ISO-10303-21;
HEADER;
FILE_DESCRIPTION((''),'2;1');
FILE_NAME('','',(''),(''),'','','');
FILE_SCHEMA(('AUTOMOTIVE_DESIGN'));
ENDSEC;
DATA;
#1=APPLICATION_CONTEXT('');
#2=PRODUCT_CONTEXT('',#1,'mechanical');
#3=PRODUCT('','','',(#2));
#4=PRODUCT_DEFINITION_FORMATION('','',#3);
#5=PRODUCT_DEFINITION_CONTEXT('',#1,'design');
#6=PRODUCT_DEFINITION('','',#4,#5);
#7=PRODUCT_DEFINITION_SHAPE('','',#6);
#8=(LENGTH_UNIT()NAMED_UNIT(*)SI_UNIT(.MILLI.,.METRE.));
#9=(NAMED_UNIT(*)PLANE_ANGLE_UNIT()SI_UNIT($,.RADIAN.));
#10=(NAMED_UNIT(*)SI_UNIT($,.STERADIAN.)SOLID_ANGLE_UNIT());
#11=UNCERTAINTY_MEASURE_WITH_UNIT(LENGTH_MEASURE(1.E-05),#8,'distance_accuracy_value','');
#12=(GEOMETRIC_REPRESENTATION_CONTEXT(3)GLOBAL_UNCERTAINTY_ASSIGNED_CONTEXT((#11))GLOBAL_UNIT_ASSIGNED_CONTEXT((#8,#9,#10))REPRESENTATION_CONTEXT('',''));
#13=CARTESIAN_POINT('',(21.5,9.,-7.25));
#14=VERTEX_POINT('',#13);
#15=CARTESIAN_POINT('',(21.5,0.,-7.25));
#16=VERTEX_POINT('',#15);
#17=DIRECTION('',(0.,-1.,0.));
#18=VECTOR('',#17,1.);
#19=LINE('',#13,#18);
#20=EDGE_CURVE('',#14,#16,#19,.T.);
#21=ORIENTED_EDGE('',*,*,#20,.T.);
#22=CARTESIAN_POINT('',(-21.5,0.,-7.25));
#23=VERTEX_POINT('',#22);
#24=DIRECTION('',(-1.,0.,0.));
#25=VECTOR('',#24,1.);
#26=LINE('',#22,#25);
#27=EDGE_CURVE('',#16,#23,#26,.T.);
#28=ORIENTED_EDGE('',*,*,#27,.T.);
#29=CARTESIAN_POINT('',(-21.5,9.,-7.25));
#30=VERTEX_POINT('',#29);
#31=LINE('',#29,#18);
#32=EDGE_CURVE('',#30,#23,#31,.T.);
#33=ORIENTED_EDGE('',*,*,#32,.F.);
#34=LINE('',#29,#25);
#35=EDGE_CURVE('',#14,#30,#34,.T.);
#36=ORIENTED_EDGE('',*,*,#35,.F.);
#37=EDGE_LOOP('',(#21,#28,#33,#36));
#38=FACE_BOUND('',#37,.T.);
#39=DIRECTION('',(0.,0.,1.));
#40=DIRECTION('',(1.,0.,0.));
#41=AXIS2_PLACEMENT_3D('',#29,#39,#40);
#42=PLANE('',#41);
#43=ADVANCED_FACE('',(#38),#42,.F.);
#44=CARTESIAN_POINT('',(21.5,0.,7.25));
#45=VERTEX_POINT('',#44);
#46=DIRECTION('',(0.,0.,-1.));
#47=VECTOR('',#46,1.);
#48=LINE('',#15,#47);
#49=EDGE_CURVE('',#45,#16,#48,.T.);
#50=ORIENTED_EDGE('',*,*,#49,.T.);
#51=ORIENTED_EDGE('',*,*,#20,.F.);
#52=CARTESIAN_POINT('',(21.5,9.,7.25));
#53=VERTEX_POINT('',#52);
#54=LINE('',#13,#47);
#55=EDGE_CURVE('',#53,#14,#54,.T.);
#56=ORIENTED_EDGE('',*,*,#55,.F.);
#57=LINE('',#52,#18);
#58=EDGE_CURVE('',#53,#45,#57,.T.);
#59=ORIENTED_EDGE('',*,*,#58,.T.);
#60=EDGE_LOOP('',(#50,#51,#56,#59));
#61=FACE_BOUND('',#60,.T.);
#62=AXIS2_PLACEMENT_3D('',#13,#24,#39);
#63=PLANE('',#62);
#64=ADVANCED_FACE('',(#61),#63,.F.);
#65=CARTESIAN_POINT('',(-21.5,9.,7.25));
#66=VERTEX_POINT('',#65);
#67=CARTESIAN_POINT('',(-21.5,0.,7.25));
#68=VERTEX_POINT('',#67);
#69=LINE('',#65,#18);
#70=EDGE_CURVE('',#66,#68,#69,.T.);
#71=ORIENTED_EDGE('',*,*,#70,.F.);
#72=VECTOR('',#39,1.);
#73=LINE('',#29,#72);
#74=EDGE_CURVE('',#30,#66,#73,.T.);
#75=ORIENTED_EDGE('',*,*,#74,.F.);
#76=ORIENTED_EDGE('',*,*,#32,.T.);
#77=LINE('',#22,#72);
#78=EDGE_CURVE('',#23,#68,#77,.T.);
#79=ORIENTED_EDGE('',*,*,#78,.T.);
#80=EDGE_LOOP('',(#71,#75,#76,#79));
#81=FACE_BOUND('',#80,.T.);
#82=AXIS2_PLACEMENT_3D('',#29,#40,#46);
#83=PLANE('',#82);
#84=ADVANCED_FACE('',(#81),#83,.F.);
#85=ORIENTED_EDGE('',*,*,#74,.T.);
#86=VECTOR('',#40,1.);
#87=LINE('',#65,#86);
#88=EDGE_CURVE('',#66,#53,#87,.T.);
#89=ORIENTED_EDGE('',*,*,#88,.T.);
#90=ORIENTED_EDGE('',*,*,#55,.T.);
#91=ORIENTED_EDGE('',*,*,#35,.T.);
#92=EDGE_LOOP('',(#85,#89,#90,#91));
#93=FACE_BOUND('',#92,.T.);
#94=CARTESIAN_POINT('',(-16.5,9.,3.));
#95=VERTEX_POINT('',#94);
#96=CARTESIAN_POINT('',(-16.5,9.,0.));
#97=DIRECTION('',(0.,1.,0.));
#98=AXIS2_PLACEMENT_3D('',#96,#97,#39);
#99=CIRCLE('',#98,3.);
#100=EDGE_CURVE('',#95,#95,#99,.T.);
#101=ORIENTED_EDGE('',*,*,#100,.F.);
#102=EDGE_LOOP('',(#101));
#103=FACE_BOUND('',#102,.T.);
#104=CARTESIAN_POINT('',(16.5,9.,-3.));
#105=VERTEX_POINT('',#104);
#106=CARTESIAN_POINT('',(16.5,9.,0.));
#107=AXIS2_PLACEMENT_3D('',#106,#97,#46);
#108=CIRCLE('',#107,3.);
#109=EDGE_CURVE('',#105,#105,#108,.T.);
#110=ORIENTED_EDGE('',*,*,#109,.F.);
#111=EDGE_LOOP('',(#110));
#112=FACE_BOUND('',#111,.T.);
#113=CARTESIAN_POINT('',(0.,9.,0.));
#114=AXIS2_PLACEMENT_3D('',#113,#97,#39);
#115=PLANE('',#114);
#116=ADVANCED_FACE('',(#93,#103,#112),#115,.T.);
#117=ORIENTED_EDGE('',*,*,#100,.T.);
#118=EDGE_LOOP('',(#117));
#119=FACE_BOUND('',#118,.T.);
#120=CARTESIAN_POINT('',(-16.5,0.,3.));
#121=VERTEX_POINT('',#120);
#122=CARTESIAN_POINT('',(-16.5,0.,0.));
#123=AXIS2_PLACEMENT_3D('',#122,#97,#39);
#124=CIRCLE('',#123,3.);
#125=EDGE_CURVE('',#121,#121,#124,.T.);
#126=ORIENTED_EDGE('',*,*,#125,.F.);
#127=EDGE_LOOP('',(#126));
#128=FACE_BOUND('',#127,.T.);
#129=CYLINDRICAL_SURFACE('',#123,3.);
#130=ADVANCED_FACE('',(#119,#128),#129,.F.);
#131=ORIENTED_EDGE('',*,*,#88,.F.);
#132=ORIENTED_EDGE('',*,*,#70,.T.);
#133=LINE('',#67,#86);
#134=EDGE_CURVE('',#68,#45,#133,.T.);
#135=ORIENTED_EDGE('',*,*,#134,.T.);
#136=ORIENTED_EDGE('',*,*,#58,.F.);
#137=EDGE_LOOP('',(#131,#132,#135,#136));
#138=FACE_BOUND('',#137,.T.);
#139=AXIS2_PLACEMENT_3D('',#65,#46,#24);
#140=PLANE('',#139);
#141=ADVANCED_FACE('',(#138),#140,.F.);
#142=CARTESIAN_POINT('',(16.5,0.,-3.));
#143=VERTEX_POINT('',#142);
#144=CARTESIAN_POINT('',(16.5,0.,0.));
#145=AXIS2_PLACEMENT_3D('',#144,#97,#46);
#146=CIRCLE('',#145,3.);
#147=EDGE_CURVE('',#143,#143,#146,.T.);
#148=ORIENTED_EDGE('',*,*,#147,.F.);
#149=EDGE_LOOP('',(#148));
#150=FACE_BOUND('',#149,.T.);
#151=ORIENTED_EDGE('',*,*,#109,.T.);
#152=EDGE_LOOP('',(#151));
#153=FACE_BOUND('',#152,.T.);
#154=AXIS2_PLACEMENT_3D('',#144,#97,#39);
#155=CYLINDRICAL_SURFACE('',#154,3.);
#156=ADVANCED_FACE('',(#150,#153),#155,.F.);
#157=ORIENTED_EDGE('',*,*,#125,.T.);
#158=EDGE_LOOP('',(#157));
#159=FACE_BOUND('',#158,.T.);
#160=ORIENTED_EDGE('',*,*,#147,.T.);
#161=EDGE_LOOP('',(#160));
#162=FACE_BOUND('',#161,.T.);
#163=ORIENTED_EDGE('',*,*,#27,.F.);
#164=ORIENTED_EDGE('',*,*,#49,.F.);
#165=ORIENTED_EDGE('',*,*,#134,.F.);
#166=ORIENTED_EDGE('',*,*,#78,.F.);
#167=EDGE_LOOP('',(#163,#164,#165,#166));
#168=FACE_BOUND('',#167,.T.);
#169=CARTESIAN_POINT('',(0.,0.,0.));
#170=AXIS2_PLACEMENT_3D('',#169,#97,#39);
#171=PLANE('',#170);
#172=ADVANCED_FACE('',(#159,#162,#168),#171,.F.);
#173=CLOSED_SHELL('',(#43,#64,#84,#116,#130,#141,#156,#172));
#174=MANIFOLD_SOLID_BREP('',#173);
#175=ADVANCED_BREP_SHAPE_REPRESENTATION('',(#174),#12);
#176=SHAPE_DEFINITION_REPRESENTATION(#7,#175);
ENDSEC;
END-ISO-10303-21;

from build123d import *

# Parameters (mm, degrees)
SKETCH1_W           = 43
SKETCH1_H           = 14.5
BOSS_EXTRUDE1_DEPTH = 9
SKETCH2_R           = 3
CUT_EXTRUDE1_DEPTH  = 9


with BuildPart() as part:
    # Sketch1 → Boss-Extrude1 (new body)
    with BuildSketch(Plane(origin=(0, 0, 0), x_dir=(1, 0, 0), z_dir=(0, 1, 0))):
        Rectangle(SKETCH1_W, SKETCH1_H)
    extrude(amount=BOSS_EXTRUDE1_DEPTH)

    # Sketch2 → Cut-Extrude1 (cut)
    with BuildSketch(Plane(origin=(0, 9, 0), x_dir=(1, 0, 0), z_dir=(0, 1, 0))):
        with Locations(Location((-16.5, 0, 0), (0, 0, 270))):
            Circle(SKETCH2_R)
        with Locations(Location((16.5, 0, 0), (0, 0, 90))):
            Circle(SKETCH2_R)
    extrude(amount=-CUT_EXTRUDE1_DEPTH, mode=Mode.SUBTRACT)


solid = part.part
